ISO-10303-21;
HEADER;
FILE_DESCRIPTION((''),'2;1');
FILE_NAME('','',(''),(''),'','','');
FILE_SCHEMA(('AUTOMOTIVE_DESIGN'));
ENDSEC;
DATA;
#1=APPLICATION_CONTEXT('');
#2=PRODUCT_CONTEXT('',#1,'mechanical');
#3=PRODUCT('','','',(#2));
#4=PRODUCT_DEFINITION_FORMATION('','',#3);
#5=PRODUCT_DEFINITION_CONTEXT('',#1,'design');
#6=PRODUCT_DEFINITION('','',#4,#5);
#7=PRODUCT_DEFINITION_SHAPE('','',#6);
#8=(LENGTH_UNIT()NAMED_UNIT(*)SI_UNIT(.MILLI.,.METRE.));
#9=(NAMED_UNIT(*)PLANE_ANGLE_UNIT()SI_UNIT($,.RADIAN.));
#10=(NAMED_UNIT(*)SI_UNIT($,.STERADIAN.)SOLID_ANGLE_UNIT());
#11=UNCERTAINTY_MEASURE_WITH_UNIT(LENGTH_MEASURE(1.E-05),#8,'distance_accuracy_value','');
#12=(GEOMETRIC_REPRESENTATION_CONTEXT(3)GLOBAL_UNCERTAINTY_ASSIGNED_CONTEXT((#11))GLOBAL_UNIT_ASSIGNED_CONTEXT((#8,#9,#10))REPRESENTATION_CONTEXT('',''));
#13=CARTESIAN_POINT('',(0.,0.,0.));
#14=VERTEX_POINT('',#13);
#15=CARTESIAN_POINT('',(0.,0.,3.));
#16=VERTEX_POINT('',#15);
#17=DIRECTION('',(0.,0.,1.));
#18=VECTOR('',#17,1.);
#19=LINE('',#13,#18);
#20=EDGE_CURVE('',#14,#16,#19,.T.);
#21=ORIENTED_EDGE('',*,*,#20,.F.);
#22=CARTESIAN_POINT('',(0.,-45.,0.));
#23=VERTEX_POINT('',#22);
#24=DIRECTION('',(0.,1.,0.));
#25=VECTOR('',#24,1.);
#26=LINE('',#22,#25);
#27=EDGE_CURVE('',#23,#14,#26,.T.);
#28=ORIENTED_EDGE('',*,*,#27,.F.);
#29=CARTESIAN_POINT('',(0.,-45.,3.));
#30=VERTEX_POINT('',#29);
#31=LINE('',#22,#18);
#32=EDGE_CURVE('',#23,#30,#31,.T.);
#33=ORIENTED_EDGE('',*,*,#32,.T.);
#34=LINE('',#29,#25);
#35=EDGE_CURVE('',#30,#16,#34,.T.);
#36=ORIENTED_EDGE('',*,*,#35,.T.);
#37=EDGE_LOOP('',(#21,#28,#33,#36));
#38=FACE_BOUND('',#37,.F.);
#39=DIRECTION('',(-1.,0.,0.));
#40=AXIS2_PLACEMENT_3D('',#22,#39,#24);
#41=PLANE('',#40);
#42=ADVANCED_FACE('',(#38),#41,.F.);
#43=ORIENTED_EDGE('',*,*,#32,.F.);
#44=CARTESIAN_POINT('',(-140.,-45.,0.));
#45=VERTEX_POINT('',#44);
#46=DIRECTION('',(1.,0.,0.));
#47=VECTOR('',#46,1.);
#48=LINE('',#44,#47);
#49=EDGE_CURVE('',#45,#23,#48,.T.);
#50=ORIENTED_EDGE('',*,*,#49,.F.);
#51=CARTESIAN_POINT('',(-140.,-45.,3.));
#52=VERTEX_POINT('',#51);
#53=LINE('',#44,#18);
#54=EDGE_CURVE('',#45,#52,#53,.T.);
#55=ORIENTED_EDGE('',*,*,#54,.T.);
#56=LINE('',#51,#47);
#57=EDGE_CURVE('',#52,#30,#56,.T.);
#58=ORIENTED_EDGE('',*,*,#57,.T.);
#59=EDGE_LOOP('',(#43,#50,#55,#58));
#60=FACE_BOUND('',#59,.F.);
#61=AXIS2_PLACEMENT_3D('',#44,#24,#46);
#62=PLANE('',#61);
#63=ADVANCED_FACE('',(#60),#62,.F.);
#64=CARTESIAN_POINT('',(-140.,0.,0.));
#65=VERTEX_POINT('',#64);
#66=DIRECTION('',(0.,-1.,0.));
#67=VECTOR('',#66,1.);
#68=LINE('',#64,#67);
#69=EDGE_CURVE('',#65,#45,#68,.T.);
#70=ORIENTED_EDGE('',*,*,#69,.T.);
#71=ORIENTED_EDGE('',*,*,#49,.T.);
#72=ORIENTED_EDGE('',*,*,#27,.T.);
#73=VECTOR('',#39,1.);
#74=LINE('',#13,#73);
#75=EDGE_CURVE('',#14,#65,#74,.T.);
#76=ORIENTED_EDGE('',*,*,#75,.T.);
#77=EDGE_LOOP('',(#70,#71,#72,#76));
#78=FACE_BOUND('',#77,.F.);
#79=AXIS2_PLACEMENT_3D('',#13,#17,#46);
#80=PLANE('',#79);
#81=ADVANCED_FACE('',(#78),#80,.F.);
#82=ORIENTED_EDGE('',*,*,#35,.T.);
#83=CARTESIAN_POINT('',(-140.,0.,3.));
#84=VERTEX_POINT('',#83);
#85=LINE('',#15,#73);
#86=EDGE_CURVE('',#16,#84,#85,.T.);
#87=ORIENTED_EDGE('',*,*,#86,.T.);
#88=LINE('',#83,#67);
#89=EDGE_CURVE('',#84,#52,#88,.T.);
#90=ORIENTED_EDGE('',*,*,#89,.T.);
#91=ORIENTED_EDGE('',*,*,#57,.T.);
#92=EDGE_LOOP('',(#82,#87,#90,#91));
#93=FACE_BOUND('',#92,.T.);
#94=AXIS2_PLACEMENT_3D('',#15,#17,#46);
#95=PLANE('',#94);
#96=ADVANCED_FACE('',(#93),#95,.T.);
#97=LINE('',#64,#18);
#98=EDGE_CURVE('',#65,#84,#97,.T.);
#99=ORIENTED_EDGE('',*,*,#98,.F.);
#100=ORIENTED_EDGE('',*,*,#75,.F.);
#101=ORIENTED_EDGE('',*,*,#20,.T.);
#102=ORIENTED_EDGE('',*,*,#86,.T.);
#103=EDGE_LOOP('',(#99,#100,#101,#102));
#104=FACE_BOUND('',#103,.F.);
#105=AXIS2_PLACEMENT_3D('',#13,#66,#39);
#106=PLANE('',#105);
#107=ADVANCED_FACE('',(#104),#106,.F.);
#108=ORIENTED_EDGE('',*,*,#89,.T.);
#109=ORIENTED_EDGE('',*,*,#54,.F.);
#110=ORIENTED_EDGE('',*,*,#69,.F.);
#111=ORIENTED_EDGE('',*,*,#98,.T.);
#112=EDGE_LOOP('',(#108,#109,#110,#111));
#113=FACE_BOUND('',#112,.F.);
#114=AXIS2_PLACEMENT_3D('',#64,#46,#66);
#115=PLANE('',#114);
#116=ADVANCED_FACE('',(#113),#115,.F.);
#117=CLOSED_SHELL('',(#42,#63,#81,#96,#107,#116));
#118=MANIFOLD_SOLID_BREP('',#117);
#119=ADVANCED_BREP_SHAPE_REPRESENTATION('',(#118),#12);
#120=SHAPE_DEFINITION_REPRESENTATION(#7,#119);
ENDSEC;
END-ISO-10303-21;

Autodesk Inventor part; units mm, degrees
ref_plane "YZ Plane" through (0, 0, 0) normal (1, 0, 0) x (0, 1, 0)
ref_plane "XZ Plane" through (0, 0, 0) normal (0, 1, 0) x (-1, 0, 0)
ref_plane "XY Plane" through (0, 0, 0) normal (0, 0, 1) x (1, 0, 0)
sketch "Sketch1" plane through (0, 0, 0) normal (0, 0, 1) x (1, 0, 0)
  line L0 (0, 0) -> (-140, 0)
  line L1 (-140, 0) -> (-140, -45)
  line L2 (-140, -45) -> (0, -45)
  line L3 (0, -45) -> (0, 0)
  dimension "d0" = 140
  dimension "d1" = 45
extrude "Extrusion1" add sketch "Sketch1" along normal blind 3
properties part number "voorkant"
